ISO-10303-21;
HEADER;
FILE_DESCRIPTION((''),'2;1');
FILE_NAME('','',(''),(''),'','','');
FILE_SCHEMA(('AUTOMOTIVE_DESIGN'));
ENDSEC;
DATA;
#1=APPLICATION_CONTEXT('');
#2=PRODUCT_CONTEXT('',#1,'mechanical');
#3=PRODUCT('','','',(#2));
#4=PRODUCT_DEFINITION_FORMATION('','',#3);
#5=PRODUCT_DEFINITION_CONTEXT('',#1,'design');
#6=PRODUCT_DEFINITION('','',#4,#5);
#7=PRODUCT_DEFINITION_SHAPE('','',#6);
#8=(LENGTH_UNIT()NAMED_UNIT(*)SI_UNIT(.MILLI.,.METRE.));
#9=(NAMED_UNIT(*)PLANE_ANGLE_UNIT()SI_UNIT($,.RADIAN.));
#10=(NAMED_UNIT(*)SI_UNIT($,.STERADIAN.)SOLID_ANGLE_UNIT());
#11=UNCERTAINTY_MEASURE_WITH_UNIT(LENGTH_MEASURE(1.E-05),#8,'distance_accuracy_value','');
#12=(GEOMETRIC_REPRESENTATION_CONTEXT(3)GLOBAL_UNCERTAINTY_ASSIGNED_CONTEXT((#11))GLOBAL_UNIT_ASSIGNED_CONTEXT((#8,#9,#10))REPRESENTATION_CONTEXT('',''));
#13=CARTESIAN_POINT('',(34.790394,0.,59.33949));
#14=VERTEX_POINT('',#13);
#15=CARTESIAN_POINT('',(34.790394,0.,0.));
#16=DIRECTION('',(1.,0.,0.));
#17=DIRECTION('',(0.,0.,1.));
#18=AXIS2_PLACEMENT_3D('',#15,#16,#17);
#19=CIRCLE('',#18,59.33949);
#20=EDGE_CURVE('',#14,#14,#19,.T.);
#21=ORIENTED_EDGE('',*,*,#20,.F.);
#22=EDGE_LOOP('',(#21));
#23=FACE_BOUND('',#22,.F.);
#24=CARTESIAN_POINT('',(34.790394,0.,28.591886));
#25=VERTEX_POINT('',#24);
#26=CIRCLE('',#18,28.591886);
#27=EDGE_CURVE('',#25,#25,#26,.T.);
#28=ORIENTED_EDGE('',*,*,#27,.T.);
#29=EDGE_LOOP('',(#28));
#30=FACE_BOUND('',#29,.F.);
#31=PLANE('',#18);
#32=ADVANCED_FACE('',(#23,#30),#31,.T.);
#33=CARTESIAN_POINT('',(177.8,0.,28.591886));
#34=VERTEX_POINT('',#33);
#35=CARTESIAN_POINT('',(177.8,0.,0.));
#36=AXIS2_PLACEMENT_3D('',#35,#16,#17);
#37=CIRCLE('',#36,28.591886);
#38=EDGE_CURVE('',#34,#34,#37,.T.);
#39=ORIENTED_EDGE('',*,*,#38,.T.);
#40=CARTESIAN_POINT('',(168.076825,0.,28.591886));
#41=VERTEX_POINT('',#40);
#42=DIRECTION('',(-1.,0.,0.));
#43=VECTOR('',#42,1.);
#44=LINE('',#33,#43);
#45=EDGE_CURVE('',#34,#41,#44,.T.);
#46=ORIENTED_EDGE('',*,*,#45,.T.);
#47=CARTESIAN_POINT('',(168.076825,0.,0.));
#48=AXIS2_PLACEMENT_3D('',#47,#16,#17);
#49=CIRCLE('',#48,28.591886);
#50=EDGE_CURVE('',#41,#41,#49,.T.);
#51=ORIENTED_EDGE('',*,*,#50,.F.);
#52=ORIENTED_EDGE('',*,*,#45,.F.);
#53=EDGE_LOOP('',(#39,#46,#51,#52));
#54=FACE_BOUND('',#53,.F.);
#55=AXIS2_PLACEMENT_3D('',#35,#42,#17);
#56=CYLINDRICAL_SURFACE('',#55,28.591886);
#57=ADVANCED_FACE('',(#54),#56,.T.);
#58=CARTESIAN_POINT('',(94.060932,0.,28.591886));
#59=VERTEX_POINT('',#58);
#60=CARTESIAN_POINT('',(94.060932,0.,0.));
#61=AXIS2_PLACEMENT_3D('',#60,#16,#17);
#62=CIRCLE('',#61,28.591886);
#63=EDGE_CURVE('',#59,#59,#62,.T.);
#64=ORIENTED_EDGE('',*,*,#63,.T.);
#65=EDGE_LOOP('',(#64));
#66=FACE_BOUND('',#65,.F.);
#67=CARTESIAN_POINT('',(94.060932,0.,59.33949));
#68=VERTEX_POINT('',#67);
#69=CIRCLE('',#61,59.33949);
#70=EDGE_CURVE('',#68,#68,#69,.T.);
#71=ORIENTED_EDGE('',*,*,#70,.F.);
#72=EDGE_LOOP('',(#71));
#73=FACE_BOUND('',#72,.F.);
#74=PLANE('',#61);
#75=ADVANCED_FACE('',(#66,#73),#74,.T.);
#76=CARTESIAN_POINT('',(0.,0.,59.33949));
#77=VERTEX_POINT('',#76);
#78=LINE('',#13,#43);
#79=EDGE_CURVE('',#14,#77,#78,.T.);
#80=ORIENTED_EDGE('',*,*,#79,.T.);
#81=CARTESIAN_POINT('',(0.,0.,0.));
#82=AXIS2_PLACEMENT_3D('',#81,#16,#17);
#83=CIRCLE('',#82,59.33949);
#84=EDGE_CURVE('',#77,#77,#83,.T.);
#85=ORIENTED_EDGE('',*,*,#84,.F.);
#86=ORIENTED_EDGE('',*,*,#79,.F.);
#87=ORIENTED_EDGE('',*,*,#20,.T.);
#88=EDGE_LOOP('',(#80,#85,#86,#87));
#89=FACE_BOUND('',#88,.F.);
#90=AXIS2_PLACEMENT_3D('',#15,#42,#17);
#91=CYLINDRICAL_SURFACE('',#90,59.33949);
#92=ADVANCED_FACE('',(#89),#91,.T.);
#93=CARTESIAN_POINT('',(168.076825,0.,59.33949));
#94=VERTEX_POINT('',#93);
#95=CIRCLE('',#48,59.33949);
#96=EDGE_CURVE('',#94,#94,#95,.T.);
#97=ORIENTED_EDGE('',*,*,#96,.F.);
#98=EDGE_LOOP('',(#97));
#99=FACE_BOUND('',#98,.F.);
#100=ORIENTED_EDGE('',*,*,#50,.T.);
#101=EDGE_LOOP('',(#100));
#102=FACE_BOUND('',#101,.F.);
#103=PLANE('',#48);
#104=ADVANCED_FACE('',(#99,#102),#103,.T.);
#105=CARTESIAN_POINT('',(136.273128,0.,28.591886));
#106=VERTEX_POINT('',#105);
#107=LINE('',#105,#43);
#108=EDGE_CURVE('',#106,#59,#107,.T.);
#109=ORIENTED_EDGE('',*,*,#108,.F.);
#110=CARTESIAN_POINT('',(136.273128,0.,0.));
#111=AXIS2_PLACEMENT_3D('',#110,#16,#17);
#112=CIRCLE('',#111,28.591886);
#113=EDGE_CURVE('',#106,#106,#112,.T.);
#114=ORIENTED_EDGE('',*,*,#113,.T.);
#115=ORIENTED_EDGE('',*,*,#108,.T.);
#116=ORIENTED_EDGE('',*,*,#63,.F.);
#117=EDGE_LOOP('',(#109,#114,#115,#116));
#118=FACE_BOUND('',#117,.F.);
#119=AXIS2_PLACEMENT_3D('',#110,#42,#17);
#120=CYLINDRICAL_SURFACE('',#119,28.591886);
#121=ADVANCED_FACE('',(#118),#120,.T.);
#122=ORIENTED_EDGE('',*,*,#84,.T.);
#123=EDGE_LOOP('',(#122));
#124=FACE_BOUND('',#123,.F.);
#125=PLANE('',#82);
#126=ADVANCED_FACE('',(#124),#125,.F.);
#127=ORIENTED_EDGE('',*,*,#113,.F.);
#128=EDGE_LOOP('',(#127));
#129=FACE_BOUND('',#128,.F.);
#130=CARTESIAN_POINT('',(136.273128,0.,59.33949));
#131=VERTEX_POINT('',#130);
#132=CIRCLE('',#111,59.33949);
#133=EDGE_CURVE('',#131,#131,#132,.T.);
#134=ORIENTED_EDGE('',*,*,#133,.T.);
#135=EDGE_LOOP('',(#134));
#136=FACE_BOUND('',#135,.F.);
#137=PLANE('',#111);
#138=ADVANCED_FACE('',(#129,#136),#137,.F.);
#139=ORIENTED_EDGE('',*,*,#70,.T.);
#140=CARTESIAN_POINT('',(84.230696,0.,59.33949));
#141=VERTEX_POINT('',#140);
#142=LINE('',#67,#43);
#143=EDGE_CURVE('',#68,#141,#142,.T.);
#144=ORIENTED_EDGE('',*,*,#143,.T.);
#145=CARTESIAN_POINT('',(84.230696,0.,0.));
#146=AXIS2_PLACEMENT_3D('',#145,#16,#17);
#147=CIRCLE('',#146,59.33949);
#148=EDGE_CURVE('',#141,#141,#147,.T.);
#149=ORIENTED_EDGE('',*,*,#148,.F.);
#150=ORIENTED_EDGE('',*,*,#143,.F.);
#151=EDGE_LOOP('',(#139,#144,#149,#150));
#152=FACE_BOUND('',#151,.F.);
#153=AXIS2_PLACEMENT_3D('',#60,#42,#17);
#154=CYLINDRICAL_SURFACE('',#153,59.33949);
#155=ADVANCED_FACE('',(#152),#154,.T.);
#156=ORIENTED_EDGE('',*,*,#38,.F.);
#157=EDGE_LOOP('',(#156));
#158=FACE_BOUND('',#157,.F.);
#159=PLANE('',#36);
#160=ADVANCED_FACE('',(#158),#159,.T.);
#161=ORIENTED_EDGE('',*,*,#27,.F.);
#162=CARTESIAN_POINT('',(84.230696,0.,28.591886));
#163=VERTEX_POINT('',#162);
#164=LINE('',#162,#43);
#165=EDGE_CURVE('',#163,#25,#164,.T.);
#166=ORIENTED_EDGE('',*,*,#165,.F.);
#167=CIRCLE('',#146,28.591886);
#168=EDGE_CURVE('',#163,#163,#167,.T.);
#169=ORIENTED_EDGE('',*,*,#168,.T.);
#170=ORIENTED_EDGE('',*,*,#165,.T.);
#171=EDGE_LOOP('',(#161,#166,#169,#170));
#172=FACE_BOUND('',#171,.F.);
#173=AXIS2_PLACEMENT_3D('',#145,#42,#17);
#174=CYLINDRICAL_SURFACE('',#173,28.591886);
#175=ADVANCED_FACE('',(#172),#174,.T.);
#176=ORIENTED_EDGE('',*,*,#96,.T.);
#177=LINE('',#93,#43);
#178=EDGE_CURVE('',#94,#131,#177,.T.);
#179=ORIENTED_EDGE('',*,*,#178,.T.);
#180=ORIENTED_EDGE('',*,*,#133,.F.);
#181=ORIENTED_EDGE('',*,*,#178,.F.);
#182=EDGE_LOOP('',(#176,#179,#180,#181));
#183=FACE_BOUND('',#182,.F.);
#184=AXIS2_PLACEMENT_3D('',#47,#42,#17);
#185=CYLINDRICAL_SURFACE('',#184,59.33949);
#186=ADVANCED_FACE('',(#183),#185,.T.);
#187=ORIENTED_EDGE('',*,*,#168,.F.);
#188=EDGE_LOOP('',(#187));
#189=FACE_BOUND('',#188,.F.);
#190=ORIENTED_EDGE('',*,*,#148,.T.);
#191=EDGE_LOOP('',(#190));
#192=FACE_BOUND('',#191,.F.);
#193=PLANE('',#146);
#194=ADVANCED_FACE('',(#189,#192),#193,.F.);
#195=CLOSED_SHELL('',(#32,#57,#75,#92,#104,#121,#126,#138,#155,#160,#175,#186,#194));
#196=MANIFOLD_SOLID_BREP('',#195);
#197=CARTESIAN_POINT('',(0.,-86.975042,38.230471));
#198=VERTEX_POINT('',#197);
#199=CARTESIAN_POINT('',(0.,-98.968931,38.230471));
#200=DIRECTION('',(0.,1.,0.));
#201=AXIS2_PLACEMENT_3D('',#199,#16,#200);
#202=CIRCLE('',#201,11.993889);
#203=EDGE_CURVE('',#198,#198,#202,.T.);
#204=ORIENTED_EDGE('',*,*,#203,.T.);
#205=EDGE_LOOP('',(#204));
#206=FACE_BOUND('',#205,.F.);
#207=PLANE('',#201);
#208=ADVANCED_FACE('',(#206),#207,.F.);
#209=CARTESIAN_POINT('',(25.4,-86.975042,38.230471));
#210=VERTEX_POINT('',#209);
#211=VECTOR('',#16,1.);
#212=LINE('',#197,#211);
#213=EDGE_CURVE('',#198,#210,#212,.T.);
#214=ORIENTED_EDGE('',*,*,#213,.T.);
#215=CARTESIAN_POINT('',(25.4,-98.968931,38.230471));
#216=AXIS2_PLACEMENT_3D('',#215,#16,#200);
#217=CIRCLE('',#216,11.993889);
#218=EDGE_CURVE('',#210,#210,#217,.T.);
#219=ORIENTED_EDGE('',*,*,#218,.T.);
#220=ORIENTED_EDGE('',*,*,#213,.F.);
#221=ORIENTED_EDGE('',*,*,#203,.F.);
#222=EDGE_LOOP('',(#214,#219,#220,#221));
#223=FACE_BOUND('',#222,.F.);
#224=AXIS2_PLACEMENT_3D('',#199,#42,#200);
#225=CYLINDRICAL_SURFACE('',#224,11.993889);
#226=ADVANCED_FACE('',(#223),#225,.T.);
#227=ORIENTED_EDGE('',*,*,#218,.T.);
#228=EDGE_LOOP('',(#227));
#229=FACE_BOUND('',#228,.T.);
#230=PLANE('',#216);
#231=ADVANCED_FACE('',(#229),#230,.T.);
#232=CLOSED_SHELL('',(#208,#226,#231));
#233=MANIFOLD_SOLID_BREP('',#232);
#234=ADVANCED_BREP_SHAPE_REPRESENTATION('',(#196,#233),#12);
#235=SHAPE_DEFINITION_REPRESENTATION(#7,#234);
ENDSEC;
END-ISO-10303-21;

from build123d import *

# Parameters (mm, degrees)
F0_R     = 12.7
F1_DEPTH = 177.8
F4_R     = 11.993889
F5_DEPTH = 25.4


with BuildPart() as f1:
    # F0 (on Right) → F1 (new body)
    with BuildSketch(Plane.YZ):
        Circle(F0_R)
    extrude(amount=F1_DEPTH)

    # F2 (on Front) → F3 (revolve)
    with BuildSketch(Plane.XZ):
        Polygon((0, 59.33949), (0, 12.682171), (177.8, 12.682171), (177.8, 28.591886), (168.076825, 28.591886), (168.076825, 59.33949), (136.273128, 59.33949), (136.273128, 28.591886), (94.060932, 28.591886), (94.060932, 59.33949), (84.230696, 59.33949), (84.230696, 28.591886), (62.192257, 28.591886), (34.790394, 28.591886), (34.790394, 59.33949), align=None)
    revolve(axis=Axis((88.9, 0, 0), (1, 0, 0)))


with BuildPart() as f5:
    # F4 (on Right) → F5 (new body)
    with BuildSketch(Plane.YZ):
        with Locations((-98.968931, 38.230471)):
            Circle(F4_R)
    extrude(amount=F5_DEPTH)


solid = Compound([f1.part, f5.part])
